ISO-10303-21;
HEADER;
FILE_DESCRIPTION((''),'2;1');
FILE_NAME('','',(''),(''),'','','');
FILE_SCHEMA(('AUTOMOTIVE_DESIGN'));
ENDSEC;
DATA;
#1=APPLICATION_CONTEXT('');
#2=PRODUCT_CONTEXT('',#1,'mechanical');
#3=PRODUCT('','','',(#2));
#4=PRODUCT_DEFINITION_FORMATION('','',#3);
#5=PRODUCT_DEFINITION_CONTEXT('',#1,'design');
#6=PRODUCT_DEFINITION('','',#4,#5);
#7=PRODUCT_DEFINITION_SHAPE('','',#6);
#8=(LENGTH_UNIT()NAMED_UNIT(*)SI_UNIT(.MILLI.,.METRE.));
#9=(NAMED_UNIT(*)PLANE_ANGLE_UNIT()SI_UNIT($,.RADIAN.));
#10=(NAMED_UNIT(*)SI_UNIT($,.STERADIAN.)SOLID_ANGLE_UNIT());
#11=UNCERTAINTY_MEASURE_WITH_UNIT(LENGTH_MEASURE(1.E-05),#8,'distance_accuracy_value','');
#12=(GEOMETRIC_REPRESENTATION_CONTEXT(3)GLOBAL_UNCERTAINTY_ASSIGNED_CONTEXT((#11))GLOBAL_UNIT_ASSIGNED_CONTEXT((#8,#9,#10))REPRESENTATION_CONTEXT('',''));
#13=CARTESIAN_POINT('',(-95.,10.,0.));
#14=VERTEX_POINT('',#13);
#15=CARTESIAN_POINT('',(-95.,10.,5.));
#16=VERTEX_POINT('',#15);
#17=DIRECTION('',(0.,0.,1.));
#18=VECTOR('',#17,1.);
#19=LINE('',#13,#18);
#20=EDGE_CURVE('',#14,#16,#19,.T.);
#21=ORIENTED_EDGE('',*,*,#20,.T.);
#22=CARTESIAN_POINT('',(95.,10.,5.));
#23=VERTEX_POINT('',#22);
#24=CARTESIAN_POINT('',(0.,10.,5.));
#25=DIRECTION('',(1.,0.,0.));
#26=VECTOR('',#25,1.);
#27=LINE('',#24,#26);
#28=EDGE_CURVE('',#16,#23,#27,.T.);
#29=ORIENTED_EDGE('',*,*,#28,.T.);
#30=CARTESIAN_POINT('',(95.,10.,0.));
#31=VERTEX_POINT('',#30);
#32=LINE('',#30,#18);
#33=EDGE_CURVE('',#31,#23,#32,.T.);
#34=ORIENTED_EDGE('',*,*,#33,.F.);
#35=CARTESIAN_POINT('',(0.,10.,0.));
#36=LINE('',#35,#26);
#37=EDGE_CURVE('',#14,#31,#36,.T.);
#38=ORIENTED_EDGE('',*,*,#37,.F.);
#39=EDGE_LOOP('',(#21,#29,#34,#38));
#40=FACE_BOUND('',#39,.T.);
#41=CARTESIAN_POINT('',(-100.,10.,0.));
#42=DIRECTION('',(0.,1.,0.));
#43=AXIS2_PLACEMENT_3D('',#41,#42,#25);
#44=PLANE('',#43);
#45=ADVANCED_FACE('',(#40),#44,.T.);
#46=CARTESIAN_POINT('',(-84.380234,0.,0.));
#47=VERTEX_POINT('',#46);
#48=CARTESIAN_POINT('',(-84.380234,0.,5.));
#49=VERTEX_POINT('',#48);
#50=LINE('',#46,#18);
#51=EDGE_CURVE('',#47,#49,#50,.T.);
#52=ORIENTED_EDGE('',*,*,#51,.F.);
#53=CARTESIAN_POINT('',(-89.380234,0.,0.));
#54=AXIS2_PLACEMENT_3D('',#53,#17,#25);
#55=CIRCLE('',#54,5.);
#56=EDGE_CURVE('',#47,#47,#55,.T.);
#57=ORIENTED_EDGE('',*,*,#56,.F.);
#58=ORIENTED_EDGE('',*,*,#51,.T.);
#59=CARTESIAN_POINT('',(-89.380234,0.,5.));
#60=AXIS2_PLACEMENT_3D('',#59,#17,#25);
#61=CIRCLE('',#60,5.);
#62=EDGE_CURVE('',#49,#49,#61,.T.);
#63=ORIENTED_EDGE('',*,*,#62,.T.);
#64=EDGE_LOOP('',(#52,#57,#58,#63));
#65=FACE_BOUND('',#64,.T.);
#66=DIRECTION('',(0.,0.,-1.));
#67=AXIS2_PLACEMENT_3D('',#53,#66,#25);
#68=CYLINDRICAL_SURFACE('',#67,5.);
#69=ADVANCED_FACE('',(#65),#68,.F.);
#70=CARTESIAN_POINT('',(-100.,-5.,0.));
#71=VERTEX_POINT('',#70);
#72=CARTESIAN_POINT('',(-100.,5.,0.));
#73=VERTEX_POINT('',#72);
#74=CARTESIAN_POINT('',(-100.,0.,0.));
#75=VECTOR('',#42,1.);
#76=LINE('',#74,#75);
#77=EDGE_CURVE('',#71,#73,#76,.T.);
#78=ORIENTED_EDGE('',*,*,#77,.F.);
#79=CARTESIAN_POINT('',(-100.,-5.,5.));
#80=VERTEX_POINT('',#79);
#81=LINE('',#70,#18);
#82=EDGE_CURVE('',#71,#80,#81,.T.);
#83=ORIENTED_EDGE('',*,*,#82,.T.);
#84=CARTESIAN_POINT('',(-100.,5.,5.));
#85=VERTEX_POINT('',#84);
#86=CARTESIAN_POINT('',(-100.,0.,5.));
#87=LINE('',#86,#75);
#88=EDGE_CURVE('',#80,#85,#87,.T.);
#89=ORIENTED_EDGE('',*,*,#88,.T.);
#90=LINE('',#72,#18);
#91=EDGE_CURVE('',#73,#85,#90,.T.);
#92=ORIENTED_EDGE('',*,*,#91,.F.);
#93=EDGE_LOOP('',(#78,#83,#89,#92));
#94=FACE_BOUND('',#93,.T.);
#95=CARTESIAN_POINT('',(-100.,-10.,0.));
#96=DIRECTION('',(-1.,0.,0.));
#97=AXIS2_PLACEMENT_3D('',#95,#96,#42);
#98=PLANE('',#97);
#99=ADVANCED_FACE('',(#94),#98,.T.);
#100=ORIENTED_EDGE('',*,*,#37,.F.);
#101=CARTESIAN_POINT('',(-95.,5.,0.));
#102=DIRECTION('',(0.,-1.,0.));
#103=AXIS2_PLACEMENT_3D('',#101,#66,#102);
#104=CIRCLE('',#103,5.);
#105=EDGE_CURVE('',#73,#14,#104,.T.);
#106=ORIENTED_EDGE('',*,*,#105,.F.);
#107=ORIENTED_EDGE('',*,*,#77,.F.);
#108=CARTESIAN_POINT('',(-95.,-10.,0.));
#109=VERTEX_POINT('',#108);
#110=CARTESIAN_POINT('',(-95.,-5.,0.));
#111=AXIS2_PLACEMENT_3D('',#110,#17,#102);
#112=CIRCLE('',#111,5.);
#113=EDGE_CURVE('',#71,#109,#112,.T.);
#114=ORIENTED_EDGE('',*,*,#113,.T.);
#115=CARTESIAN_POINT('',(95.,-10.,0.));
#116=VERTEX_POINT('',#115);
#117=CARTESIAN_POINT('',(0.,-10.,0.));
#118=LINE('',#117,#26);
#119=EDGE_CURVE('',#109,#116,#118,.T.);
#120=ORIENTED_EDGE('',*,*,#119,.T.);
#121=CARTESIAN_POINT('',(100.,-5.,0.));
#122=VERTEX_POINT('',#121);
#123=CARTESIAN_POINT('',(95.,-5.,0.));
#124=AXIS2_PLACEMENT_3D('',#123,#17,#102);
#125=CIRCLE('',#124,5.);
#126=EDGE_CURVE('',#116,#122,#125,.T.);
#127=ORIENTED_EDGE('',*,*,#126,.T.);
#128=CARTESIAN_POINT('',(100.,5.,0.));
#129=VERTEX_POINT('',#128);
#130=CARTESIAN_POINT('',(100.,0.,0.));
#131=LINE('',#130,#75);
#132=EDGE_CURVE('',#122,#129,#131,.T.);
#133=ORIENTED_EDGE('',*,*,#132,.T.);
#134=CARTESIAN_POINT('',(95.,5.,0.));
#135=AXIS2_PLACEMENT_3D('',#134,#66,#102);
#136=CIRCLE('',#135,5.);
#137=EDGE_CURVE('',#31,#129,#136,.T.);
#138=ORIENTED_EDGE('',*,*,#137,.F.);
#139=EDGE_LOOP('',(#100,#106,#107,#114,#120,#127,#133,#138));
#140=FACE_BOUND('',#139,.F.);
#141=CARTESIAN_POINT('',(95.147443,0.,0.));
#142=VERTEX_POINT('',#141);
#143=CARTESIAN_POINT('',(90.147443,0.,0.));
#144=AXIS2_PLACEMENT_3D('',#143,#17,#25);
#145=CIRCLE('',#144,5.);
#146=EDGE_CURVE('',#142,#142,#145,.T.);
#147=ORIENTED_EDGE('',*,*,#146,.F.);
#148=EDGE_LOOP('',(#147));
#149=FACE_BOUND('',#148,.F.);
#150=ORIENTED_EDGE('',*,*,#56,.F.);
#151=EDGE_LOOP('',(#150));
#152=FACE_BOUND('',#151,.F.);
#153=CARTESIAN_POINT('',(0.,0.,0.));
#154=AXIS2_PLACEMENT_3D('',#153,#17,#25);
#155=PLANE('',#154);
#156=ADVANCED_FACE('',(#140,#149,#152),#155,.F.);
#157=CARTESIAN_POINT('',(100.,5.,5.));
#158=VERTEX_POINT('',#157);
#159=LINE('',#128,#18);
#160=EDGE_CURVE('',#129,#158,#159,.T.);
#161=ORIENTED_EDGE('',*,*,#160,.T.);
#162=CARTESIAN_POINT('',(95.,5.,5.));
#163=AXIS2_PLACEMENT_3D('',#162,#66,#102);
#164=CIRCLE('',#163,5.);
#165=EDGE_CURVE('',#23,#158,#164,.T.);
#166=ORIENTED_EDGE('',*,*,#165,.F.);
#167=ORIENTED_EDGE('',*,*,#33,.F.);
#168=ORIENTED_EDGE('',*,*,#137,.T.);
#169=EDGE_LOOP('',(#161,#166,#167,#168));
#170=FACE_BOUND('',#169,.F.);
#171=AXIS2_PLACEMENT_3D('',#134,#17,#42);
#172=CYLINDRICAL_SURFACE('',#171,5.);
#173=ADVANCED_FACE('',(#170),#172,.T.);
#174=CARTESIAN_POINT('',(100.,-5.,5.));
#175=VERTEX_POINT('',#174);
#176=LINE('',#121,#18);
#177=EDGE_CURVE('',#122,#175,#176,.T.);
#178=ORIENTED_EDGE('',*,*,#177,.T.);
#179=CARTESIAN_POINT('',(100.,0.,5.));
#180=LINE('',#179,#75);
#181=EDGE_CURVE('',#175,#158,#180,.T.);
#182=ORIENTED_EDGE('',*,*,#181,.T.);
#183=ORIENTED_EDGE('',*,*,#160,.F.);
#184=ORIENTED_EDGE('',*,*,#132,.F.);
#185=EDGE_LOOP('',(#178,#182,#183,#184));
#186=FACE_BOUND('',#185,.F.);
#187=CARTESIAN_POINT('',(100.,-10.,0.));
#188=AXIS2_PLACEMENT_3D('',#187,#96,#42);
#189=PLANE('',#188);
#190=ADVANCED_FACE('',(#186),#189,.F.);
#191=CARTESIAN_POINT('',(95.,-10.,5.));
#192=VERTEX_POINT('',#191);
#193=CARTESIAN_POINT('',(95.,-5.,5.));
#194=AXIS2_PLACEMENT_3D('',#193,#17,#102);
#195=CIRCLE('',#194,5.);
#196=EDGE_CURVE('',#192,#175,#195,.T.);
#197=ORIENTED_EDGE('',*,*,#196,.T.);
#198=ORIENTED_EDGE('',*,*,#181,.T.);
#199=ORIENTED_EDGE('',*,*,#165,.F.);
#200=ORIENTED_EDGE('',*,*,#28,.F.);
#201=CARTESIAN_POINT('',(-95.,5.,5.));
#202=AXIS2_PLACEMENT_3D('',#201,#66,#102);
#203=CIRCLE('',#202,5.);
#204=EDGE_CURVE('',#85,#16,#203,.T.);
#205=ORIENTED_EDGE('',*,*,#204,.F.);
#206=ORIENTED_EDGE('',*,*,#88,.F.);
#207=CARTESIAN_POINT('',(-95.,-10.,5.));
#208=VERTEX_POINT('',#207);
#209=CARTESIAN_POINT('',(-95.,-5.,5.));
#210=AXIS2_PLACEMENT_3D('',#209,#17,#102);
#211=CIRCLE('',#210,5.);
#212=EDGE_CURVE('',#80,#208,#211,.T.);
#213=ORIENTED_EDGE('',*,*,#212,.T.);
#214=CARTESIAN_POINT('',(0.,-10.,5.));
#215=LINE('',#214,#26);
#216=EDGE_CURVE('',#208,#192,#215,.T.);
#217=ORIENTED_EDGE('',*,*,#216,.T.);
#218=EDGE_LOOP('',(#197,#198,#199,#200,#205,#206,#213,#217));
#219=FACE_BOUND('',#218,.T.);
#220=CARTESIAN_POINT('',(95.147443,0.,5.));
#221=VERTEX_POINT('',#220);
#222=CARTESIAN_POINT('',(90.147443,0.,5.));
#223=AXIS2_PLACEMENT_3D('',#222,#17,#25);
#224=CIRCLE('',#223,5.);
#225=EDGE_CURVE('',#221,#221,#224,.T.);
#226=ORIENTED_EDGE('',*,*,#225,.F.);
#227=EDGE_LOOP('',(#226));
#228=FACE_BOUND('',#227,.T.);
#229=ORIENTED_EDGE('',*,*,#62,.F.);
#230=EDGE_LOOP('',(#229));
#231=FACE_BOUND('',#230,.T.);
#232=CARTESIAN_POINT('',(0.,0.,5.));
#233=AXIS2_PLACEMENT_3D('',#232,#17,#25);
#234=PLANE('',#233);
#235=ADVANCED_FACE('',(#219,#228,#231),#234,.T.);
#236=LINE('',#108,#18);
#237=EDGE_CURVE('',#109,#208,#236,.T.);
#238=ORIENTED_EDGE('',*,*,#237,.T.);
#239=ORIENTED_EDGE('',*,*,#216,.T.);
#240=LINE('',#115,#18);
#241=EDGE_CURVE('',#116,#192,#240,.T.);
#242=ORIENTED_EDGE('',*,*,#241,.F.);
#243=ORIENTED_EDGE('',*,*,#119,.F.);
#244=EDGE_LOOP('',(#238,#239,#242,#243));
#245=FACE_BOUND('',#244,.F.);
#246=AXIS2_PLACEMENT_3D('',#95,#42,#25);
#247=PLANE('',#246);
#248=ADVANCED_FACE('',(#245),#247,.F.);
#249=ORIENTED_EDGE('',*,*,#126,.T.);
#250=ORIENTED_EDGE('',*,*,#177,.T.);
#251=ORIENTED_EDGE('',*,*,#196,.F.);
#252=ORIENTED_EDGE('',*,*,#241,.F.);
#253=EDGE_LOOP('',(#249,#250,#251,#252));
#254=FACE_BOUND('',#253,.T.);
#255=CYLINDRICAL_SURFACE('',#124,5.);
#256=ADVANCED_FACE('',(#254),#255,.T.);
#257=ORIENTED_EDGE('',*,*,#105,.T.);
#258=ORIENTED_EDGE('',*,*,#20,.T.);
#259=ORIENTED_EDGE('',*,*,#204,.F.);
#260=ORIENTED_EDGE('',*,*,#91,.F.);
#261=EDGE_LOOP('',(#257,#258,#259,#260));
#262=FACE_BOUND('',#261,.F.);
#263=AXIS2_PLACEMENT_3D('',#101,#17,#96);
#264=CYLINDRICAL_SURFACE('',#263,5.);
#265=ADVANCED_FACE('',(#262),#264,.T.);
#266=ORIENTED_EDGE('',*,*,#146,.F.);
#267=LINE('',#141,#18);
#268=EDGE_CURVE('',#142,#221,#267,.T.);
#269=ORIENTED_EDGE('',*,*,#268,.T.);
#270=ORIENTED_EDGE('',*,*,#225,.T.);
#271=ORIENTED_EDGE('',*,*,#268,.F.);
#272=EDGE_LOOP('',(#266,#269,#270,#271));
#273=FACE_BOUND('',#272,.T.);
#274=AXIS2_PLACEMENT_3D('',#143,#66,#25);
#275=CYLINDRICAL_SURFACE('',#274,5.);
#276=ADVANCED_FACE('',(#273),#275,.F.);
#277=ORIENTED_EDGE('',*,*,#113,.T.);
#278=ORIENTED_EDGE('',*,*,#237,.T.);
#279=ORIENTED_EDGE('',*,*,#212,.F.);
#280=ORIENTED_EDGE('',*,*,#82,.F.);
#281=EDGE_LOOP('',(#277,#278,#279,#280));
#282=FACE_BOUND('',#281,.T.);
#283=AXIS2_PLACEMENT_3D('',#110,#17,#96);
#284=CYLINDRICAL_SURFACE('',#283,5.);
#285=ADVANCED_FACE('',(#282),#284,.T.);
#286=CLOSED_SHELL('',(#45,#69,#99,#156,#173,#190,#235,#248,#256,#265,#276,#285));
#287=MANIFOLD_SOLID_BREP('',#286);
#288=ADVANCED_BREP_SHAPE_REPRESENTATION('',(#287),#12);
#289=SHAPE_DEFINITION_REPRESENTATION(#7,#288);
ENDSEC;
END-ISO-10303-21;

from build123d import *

# Parameters (mm, degrees)
F0_W     = 200
F0_H     = 20
F0_R     = 5
F1_DEPTH = 5
F2_R     = 5


with BuildPart() as f1:
    # F0 (on Top) → F1 (new body)
    with BuildSketch(Plane.XY):
        Rectangle(F0_W, F0_H)
        with Locations((-89.380234, 0)):
            Circle(F0_R, mode=Mode.SUBTRACT)
        with Locations((90.147443, 0)):
            Circle(F0_R, mode=Mode.SUBTRACT)
    extrude(amount=F1_DEPTH)

    # F2
    f2_edges = [f1.edges().sort_by_distance(p)[0] for p in [
        (-100, -10, 2.5),
        (100, -10, 2.5),
        (100, 10, 2.5),
        (-100, 10, 2.5),
    ]]
    fillet(f2_edges, radius=F2_R)


solid = f1.part
